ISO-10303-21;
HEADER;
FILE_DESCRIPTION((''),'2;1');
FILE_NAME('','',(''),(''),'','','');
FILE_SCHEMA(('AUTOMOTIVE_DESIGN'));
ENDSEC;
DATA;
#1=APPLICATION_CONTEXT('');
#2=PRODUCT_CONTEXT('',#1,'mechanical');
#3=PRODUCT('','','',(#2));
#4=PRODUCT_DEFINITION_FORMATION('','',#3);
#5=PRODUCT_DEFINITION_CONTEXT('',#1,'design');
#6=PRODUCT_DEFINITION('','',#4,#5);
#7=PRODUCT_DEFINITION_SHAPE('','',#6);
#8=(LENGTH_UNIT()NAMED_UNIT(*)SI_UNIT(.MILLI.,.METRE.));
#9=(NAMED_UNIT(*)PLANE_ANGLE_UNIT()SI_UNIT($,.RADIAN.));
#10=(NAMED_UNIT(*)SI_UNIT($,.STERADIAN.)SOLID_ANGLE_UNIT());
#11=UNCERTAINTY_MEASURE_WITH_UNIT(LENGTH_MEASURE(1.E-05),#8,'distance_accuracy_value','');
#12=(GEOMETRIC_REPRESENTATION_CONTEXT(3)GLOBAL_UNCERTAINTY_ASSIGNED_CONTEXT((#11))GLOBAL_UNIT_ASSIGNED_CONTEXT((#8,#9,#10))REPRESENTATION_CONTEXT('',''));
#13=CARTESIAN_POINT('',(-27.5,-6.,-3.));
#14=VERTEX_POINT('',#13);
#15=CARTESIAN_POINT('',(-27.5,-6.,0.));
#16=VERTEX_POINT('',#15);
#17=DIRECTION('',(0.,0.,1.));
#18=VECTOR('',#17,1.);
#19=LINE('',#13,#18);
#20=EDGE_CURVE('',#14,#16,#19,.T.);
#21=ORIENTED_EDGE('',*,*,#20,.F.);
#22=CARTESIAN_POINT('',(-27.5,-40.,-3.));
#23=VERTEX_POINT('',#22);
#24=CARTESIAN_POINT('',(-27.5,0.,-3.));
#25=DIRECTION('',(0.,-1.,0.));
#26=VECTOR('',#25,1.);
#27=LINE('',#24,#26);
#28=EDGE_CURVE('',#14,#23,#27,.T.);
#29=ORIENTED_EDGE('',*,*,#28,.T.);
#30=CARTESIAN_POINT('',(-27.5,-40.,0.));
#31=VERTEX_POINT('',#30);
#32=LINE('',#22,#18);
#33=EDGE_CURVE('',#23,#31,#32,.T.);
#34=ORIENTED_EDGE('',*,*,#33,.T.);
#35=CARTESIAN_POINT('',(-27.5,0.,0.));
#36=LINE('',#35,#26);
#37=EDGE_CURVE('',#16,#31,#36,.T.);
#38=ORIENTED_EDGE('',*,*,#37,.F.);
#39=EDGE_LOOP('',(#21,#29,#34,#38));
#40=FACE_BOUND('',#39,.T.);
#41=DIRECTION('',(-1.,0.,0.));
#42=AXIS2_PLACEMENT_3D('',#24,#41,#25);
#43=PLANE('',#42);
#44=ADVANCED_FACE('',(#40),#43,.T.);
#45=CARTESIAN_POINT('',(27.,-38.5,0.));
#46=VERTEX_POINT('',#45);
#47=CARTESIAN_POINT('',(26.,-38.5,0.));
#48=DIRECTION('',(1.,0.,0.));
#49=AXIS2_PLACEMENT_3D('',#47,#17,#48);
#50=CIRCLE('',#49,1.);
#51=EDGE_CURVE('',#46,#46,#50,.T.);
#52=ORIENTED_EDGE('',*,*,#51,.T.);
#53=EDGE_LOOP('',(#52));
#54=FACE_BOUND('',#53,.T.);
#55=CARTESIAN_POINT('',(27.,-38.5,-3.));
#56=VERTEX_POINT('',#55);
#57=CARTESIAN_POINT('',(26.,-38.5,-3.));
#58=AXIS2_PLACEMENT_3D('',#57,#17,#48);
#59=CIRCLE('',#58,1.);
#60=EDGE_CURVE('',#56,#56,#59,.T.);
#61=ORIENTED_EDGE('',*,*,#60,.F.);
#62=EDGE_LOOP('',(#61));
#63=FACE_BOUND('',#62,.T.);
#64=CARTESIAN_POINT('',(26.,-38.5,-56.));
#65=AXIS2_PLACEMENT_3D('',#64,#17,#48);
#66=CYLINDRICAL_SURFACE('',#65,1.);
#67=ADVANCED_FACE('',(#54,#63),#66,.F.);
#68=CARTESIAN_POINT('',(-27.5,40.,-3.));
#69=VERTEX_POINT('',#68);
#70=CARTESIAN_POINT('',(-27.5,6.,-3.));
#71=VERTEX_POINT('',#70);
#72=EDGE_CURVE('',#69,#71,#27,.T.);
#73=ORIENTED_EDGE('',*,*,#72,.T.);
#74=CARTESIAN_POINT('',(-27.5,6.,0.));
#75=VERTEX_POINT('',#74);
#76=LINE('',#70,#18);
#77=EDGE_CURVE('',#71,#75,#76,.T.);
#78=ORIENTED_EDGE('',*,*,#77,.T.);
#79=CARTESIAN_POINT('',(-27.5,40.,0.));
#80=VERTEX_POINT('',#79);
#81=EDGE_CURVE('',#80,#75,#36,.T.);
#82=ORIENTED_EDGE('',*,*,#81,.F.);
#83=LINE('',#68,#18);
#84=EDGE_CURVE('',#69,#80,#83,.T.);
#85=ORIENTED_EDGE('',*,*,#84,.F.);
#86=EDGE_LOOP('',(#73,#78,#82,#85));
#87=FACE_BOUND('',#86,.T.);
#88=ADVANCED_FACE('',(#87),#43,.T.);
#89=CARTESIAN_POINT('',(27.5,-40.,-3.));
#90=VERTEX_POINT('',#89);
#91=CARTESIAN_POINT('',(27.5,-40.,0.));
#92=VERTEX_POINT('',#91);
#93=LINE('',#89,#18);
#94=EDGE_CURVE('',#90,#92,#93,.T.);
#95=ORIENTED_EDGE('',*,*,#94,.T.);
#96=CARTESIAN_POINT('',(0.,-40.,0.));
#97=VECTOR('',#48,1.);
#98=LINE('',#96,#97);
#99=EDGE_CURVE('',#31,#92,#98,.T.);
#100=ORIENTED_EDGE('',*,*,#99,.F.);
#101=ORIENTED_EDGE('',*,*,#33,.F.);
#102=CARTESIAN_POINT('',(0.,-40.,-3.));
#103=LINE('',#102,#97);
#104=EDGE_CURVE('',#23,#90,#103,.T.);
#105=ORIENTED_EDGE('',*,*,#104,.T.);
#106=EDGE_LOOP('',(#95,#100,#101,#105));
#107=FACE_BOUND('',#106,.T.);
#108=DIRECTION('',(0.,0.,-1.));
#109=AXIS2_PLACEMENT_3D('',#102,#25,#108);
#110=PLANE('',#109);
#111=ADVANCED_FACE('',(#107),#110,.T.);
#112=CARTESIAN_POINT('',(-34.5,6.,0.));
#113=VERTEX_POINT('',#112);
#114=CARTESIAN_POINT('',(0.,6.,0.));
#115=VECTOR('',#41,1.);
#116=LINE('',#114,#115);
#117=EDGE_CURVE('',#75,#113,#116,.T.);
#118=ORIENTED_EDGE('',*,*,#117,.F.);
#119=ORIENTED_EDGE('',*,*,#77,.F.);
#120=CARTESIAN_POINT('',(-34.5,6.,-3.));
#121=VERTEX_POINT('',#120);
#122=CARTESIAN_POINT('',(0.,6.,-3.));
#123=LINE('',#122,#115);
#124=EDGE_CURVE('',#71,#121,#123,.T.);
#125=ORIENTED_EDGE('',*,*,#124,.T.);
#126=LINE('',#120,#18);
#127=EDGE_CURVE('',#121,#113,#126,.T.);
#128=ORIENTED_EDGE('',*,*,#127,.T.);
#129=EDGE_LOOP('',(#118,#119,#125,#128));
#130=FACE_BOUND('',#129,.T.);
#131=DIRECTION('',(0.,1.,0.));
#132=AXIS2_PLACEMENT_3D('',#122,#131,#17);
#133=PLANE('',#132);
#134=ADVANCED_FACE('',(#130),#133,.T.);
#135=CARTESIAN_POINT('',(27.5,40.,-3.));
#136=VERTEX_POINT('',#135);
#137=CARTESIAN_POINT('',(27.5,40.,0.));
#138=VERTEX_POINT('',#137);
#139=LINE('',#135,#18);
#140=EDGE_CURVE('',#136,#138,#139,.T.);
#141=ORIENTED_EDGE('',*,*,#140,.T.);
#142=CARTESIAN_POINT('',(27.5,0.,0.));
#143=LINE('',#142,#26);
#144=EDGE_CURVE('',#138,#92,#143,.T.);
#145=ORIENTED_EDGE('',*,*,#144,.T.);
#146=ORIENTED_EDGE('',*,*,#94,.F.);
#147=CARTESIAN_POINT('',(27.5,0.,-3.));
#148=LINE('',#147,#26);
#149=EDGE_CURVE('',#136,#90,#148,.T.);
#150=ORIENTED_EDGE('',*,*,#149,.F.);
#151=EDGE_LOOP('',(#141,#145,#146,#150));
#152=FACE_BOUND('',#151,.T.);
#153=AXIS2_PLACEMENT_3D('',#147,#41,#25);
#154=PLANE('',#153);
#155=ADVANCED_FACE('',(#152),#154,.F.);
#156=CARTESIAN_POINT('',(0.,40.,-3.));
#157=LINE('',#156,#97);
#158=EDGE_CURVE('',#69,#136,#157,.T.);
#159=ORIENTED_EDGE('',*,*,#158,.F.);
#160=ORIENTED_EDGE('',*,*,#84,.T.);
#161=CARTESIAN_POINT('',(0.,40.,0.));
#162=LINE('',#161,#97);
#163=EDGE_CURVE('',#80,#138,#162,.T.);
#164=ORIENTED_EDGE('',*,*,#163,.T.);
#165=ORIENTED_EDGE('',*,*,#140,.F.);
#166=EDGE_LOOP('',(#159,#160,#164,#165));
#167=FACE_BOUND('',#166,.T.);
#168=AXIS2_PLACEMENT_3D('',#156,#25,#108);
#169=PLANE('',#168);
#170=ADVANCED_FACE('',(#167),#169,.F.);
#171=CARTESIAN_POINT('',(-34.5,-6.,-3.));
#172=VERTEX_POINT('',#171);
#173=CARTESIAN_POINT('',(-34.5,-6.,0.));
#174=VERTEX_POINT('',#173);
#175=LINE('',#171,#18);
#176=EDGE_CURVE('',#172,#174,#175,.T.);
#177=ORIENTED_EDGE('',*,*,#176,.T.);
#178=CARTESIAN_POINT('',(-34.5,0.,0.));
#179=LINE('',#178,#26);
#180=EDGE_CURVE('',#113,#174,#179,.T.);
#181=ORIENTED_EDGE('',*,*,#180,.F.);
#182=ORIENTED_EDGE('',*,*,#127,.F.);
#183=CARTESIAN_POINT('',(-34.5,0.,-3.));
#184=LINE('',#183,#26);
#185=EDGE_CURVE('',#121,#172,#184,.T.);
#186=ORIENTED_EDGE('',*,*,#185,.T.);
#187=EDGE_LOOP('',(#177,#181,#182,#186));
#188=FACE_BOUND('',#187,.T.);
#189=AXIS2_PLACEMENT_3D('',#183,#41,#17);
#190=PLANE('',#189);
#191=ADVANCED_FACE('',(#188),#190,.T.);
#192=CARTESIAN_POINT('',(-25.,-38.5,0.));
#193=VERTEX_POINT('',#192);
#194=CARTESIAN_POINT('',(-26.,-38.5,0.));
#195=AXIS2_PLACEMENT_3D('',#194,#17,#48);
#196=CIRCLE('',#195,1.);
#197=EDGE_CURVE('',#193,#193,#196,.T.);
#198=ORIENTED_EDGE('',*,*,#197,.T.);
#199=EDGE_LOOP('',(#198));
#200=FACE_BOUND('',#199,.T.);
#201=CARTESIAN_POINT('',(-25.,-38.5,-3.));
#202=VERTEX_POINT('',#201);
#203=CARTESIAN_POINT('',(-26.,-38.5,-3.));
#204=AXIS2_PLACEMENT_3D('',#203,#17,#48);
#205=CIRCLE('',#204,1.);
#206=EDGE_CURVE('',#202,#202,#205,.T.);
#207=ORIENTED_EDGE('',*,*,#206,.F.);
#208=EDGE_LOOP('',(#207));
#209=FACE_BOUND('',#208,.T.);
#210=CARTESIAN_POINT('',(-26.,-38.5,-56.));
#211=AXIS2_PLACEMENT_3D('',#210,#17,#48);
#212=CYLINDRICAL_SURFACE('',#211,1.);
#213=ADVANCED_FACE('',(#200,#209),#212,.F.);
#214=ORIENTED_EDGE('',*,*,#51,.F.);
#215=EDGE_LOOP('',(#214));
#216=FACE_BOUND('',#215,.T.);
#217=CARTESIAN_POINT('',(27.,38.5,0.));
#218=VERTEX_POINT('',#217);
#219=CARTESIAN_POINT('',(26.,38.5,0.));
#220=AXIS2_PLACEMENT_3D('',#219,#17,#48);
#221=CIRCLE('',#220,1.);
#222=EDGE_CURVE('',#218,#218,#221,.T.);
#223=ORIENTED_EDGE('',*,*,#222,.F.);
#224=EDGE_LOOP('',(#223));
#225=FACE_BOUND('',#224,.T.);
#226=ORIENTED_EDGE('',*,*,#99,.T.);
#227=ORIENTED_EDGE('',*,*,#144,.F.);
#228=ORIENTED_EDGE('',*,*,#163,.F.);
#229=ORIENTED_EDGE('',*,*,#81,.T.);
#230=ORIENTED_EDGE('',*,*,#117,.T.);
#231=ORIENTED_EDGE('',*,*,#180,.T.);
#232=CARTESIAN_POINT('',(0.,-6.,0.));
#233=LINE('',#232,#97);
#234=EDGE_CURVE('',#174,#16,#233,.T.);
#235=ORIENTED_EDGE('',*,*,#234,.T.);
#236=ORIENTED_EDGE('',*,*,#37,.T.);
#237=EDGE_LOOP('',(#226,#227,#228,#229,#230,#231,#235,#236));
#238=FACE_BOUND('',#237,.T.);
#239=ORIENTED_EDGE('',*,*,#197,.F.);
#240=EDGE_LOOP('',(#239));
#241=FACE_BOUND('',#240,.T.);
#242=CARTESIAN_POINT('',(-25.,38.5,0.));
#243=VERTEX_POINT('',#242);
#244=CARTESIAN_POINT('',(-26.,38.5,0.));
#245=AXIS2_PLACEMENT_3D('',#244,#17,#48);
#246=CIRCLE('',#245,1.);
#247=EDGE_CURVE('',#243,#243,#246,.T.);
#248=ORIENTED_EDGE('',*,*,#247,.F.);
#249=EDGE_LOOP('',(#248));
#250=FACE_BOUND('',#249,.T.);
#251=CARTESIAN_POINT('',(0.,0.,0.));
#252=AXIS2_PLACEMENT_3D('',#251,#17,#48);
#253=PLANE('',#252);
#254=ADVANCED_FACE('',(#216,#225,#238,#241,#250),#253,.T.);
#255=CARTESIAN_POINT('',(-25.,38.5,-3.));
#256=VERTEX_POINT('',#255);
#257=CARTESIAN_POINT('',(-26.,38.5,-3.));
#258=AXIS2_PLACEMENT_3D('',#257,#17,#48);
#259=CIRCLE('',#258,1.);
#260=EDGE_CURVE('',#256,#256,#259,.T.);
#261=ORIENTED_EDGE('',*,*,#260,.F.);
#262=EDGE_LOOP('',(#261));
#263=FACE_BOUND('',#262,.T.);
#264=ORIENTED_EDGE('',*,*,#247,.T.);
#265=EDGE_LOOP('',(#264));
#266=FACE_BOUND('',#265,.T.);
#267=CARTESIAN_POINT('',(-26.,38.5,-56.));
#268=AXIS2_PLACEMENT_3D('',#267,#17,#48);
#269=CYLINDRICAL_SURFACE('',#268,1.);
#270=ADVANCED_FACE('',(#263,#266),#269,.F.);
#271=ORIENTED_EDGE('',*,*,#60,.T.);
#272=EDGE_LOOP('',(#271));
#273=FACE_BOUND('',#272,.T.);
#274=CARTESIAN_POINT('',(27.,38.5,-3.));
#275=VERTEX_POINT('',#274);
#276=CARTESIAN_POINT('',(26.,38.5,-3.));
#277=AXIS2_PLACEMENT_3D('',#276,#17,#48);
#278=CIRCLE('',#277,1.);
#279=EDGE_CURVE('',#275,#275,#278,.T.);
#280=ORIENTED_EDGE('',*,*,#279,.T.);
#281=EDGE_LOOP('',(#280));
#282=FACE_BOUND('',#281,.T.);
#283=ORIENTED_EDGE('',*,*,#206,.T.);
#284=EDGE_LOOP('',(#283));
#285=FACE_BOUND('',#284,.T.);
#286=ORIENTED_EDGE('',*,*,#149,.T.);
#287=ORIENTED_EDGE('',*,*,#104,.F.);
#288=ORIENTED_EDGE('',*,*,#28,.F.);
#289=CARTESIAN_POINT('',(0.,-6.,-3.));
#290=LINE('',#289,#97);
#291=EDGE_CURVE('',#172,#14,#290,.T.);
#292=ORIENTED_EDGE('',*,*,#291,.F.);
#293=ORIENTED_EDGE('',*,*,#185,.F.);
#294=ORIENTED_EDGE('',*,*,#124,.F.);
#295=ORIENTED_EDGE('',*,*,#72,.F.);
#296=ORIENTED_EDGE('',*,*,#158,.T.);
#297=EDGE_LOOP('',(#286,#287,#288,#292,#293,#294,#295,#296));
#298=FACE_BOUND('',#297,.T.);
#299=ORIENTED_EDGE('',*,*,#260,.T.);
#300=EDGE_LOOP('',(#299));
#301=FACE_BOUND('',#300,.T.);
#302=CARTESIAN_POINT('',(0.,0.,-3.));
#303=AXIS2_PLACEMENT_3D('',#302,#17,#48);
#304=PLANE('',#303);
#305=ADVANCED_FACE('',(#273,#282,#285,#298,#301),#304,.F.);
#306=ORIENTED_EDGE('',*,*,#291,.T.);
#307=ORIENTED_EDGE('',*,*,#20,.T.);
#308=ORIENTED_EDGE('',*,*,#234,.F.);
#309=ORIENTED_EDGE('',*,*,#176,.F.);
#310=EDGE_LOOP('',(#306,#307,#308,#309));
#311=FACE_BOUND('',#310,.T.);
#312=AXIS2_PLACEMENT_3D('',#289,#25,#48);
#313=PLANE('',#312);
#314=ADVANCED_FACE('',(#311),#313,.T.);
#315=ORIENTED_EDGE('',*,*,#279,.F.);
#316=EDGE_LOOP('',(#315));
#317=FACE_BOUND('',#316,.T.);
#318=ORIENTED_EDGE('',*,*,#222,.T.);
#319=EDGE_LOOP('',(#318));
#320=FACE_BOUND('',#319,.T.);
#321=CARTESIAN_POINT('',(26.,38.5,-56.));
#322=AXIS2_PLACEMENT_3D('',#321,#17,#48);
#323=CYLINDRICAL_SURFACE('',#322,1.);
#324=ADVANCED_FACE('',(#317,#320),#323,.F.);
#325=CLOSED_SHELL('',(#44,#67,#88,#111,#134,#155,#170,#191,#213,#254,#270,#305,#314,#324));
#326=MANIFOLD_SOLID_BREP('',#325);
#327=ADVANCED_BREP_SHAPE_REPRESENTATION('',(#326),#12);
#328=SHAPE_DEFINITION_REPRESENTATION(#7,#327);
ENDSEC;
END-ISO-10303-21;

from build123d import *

# Parameters (mm, degrees)
BOSS_EXTRUDE1_DEPTH = 3
SKETCH2_R           = 1
CUT_EXTRUDE1_DEPTH  = 56


with BuildPart() as part:
    # Sketch1 → Boss-Extrude1 (new body)
    with BuildSketch(Plane.XY):
        Polygon((-34.5, -6), (-27.5, -6), (-27.5, -40), (27.5, -40), (27.5, 40), (-27.5, 40), (-27.5, 6), (-34.5, 6), align=None)
    extrude(amount=-BOSS_EXTRUDE1_DEPTH)

    # Sketch2 → Cut-Extrude1 (cut)
    with BuildSketch(Plane.XY):
        with Locations((-26, -38.5)):
            Circle(SKETCH2_R)
        with Locations((26, -38.5)):
            Circle(SKETCH2_R)
        with Locations((26, 38.5)):
            Circle(SKETCH2_R)
        with Locations((-26, 38.5)):
            Circle(SKETCH2_R)
    extrude(amount=-CUT_EXTRUDE1_DEPTH, mode=Mode.SUBTRACT)


solid = part.part
